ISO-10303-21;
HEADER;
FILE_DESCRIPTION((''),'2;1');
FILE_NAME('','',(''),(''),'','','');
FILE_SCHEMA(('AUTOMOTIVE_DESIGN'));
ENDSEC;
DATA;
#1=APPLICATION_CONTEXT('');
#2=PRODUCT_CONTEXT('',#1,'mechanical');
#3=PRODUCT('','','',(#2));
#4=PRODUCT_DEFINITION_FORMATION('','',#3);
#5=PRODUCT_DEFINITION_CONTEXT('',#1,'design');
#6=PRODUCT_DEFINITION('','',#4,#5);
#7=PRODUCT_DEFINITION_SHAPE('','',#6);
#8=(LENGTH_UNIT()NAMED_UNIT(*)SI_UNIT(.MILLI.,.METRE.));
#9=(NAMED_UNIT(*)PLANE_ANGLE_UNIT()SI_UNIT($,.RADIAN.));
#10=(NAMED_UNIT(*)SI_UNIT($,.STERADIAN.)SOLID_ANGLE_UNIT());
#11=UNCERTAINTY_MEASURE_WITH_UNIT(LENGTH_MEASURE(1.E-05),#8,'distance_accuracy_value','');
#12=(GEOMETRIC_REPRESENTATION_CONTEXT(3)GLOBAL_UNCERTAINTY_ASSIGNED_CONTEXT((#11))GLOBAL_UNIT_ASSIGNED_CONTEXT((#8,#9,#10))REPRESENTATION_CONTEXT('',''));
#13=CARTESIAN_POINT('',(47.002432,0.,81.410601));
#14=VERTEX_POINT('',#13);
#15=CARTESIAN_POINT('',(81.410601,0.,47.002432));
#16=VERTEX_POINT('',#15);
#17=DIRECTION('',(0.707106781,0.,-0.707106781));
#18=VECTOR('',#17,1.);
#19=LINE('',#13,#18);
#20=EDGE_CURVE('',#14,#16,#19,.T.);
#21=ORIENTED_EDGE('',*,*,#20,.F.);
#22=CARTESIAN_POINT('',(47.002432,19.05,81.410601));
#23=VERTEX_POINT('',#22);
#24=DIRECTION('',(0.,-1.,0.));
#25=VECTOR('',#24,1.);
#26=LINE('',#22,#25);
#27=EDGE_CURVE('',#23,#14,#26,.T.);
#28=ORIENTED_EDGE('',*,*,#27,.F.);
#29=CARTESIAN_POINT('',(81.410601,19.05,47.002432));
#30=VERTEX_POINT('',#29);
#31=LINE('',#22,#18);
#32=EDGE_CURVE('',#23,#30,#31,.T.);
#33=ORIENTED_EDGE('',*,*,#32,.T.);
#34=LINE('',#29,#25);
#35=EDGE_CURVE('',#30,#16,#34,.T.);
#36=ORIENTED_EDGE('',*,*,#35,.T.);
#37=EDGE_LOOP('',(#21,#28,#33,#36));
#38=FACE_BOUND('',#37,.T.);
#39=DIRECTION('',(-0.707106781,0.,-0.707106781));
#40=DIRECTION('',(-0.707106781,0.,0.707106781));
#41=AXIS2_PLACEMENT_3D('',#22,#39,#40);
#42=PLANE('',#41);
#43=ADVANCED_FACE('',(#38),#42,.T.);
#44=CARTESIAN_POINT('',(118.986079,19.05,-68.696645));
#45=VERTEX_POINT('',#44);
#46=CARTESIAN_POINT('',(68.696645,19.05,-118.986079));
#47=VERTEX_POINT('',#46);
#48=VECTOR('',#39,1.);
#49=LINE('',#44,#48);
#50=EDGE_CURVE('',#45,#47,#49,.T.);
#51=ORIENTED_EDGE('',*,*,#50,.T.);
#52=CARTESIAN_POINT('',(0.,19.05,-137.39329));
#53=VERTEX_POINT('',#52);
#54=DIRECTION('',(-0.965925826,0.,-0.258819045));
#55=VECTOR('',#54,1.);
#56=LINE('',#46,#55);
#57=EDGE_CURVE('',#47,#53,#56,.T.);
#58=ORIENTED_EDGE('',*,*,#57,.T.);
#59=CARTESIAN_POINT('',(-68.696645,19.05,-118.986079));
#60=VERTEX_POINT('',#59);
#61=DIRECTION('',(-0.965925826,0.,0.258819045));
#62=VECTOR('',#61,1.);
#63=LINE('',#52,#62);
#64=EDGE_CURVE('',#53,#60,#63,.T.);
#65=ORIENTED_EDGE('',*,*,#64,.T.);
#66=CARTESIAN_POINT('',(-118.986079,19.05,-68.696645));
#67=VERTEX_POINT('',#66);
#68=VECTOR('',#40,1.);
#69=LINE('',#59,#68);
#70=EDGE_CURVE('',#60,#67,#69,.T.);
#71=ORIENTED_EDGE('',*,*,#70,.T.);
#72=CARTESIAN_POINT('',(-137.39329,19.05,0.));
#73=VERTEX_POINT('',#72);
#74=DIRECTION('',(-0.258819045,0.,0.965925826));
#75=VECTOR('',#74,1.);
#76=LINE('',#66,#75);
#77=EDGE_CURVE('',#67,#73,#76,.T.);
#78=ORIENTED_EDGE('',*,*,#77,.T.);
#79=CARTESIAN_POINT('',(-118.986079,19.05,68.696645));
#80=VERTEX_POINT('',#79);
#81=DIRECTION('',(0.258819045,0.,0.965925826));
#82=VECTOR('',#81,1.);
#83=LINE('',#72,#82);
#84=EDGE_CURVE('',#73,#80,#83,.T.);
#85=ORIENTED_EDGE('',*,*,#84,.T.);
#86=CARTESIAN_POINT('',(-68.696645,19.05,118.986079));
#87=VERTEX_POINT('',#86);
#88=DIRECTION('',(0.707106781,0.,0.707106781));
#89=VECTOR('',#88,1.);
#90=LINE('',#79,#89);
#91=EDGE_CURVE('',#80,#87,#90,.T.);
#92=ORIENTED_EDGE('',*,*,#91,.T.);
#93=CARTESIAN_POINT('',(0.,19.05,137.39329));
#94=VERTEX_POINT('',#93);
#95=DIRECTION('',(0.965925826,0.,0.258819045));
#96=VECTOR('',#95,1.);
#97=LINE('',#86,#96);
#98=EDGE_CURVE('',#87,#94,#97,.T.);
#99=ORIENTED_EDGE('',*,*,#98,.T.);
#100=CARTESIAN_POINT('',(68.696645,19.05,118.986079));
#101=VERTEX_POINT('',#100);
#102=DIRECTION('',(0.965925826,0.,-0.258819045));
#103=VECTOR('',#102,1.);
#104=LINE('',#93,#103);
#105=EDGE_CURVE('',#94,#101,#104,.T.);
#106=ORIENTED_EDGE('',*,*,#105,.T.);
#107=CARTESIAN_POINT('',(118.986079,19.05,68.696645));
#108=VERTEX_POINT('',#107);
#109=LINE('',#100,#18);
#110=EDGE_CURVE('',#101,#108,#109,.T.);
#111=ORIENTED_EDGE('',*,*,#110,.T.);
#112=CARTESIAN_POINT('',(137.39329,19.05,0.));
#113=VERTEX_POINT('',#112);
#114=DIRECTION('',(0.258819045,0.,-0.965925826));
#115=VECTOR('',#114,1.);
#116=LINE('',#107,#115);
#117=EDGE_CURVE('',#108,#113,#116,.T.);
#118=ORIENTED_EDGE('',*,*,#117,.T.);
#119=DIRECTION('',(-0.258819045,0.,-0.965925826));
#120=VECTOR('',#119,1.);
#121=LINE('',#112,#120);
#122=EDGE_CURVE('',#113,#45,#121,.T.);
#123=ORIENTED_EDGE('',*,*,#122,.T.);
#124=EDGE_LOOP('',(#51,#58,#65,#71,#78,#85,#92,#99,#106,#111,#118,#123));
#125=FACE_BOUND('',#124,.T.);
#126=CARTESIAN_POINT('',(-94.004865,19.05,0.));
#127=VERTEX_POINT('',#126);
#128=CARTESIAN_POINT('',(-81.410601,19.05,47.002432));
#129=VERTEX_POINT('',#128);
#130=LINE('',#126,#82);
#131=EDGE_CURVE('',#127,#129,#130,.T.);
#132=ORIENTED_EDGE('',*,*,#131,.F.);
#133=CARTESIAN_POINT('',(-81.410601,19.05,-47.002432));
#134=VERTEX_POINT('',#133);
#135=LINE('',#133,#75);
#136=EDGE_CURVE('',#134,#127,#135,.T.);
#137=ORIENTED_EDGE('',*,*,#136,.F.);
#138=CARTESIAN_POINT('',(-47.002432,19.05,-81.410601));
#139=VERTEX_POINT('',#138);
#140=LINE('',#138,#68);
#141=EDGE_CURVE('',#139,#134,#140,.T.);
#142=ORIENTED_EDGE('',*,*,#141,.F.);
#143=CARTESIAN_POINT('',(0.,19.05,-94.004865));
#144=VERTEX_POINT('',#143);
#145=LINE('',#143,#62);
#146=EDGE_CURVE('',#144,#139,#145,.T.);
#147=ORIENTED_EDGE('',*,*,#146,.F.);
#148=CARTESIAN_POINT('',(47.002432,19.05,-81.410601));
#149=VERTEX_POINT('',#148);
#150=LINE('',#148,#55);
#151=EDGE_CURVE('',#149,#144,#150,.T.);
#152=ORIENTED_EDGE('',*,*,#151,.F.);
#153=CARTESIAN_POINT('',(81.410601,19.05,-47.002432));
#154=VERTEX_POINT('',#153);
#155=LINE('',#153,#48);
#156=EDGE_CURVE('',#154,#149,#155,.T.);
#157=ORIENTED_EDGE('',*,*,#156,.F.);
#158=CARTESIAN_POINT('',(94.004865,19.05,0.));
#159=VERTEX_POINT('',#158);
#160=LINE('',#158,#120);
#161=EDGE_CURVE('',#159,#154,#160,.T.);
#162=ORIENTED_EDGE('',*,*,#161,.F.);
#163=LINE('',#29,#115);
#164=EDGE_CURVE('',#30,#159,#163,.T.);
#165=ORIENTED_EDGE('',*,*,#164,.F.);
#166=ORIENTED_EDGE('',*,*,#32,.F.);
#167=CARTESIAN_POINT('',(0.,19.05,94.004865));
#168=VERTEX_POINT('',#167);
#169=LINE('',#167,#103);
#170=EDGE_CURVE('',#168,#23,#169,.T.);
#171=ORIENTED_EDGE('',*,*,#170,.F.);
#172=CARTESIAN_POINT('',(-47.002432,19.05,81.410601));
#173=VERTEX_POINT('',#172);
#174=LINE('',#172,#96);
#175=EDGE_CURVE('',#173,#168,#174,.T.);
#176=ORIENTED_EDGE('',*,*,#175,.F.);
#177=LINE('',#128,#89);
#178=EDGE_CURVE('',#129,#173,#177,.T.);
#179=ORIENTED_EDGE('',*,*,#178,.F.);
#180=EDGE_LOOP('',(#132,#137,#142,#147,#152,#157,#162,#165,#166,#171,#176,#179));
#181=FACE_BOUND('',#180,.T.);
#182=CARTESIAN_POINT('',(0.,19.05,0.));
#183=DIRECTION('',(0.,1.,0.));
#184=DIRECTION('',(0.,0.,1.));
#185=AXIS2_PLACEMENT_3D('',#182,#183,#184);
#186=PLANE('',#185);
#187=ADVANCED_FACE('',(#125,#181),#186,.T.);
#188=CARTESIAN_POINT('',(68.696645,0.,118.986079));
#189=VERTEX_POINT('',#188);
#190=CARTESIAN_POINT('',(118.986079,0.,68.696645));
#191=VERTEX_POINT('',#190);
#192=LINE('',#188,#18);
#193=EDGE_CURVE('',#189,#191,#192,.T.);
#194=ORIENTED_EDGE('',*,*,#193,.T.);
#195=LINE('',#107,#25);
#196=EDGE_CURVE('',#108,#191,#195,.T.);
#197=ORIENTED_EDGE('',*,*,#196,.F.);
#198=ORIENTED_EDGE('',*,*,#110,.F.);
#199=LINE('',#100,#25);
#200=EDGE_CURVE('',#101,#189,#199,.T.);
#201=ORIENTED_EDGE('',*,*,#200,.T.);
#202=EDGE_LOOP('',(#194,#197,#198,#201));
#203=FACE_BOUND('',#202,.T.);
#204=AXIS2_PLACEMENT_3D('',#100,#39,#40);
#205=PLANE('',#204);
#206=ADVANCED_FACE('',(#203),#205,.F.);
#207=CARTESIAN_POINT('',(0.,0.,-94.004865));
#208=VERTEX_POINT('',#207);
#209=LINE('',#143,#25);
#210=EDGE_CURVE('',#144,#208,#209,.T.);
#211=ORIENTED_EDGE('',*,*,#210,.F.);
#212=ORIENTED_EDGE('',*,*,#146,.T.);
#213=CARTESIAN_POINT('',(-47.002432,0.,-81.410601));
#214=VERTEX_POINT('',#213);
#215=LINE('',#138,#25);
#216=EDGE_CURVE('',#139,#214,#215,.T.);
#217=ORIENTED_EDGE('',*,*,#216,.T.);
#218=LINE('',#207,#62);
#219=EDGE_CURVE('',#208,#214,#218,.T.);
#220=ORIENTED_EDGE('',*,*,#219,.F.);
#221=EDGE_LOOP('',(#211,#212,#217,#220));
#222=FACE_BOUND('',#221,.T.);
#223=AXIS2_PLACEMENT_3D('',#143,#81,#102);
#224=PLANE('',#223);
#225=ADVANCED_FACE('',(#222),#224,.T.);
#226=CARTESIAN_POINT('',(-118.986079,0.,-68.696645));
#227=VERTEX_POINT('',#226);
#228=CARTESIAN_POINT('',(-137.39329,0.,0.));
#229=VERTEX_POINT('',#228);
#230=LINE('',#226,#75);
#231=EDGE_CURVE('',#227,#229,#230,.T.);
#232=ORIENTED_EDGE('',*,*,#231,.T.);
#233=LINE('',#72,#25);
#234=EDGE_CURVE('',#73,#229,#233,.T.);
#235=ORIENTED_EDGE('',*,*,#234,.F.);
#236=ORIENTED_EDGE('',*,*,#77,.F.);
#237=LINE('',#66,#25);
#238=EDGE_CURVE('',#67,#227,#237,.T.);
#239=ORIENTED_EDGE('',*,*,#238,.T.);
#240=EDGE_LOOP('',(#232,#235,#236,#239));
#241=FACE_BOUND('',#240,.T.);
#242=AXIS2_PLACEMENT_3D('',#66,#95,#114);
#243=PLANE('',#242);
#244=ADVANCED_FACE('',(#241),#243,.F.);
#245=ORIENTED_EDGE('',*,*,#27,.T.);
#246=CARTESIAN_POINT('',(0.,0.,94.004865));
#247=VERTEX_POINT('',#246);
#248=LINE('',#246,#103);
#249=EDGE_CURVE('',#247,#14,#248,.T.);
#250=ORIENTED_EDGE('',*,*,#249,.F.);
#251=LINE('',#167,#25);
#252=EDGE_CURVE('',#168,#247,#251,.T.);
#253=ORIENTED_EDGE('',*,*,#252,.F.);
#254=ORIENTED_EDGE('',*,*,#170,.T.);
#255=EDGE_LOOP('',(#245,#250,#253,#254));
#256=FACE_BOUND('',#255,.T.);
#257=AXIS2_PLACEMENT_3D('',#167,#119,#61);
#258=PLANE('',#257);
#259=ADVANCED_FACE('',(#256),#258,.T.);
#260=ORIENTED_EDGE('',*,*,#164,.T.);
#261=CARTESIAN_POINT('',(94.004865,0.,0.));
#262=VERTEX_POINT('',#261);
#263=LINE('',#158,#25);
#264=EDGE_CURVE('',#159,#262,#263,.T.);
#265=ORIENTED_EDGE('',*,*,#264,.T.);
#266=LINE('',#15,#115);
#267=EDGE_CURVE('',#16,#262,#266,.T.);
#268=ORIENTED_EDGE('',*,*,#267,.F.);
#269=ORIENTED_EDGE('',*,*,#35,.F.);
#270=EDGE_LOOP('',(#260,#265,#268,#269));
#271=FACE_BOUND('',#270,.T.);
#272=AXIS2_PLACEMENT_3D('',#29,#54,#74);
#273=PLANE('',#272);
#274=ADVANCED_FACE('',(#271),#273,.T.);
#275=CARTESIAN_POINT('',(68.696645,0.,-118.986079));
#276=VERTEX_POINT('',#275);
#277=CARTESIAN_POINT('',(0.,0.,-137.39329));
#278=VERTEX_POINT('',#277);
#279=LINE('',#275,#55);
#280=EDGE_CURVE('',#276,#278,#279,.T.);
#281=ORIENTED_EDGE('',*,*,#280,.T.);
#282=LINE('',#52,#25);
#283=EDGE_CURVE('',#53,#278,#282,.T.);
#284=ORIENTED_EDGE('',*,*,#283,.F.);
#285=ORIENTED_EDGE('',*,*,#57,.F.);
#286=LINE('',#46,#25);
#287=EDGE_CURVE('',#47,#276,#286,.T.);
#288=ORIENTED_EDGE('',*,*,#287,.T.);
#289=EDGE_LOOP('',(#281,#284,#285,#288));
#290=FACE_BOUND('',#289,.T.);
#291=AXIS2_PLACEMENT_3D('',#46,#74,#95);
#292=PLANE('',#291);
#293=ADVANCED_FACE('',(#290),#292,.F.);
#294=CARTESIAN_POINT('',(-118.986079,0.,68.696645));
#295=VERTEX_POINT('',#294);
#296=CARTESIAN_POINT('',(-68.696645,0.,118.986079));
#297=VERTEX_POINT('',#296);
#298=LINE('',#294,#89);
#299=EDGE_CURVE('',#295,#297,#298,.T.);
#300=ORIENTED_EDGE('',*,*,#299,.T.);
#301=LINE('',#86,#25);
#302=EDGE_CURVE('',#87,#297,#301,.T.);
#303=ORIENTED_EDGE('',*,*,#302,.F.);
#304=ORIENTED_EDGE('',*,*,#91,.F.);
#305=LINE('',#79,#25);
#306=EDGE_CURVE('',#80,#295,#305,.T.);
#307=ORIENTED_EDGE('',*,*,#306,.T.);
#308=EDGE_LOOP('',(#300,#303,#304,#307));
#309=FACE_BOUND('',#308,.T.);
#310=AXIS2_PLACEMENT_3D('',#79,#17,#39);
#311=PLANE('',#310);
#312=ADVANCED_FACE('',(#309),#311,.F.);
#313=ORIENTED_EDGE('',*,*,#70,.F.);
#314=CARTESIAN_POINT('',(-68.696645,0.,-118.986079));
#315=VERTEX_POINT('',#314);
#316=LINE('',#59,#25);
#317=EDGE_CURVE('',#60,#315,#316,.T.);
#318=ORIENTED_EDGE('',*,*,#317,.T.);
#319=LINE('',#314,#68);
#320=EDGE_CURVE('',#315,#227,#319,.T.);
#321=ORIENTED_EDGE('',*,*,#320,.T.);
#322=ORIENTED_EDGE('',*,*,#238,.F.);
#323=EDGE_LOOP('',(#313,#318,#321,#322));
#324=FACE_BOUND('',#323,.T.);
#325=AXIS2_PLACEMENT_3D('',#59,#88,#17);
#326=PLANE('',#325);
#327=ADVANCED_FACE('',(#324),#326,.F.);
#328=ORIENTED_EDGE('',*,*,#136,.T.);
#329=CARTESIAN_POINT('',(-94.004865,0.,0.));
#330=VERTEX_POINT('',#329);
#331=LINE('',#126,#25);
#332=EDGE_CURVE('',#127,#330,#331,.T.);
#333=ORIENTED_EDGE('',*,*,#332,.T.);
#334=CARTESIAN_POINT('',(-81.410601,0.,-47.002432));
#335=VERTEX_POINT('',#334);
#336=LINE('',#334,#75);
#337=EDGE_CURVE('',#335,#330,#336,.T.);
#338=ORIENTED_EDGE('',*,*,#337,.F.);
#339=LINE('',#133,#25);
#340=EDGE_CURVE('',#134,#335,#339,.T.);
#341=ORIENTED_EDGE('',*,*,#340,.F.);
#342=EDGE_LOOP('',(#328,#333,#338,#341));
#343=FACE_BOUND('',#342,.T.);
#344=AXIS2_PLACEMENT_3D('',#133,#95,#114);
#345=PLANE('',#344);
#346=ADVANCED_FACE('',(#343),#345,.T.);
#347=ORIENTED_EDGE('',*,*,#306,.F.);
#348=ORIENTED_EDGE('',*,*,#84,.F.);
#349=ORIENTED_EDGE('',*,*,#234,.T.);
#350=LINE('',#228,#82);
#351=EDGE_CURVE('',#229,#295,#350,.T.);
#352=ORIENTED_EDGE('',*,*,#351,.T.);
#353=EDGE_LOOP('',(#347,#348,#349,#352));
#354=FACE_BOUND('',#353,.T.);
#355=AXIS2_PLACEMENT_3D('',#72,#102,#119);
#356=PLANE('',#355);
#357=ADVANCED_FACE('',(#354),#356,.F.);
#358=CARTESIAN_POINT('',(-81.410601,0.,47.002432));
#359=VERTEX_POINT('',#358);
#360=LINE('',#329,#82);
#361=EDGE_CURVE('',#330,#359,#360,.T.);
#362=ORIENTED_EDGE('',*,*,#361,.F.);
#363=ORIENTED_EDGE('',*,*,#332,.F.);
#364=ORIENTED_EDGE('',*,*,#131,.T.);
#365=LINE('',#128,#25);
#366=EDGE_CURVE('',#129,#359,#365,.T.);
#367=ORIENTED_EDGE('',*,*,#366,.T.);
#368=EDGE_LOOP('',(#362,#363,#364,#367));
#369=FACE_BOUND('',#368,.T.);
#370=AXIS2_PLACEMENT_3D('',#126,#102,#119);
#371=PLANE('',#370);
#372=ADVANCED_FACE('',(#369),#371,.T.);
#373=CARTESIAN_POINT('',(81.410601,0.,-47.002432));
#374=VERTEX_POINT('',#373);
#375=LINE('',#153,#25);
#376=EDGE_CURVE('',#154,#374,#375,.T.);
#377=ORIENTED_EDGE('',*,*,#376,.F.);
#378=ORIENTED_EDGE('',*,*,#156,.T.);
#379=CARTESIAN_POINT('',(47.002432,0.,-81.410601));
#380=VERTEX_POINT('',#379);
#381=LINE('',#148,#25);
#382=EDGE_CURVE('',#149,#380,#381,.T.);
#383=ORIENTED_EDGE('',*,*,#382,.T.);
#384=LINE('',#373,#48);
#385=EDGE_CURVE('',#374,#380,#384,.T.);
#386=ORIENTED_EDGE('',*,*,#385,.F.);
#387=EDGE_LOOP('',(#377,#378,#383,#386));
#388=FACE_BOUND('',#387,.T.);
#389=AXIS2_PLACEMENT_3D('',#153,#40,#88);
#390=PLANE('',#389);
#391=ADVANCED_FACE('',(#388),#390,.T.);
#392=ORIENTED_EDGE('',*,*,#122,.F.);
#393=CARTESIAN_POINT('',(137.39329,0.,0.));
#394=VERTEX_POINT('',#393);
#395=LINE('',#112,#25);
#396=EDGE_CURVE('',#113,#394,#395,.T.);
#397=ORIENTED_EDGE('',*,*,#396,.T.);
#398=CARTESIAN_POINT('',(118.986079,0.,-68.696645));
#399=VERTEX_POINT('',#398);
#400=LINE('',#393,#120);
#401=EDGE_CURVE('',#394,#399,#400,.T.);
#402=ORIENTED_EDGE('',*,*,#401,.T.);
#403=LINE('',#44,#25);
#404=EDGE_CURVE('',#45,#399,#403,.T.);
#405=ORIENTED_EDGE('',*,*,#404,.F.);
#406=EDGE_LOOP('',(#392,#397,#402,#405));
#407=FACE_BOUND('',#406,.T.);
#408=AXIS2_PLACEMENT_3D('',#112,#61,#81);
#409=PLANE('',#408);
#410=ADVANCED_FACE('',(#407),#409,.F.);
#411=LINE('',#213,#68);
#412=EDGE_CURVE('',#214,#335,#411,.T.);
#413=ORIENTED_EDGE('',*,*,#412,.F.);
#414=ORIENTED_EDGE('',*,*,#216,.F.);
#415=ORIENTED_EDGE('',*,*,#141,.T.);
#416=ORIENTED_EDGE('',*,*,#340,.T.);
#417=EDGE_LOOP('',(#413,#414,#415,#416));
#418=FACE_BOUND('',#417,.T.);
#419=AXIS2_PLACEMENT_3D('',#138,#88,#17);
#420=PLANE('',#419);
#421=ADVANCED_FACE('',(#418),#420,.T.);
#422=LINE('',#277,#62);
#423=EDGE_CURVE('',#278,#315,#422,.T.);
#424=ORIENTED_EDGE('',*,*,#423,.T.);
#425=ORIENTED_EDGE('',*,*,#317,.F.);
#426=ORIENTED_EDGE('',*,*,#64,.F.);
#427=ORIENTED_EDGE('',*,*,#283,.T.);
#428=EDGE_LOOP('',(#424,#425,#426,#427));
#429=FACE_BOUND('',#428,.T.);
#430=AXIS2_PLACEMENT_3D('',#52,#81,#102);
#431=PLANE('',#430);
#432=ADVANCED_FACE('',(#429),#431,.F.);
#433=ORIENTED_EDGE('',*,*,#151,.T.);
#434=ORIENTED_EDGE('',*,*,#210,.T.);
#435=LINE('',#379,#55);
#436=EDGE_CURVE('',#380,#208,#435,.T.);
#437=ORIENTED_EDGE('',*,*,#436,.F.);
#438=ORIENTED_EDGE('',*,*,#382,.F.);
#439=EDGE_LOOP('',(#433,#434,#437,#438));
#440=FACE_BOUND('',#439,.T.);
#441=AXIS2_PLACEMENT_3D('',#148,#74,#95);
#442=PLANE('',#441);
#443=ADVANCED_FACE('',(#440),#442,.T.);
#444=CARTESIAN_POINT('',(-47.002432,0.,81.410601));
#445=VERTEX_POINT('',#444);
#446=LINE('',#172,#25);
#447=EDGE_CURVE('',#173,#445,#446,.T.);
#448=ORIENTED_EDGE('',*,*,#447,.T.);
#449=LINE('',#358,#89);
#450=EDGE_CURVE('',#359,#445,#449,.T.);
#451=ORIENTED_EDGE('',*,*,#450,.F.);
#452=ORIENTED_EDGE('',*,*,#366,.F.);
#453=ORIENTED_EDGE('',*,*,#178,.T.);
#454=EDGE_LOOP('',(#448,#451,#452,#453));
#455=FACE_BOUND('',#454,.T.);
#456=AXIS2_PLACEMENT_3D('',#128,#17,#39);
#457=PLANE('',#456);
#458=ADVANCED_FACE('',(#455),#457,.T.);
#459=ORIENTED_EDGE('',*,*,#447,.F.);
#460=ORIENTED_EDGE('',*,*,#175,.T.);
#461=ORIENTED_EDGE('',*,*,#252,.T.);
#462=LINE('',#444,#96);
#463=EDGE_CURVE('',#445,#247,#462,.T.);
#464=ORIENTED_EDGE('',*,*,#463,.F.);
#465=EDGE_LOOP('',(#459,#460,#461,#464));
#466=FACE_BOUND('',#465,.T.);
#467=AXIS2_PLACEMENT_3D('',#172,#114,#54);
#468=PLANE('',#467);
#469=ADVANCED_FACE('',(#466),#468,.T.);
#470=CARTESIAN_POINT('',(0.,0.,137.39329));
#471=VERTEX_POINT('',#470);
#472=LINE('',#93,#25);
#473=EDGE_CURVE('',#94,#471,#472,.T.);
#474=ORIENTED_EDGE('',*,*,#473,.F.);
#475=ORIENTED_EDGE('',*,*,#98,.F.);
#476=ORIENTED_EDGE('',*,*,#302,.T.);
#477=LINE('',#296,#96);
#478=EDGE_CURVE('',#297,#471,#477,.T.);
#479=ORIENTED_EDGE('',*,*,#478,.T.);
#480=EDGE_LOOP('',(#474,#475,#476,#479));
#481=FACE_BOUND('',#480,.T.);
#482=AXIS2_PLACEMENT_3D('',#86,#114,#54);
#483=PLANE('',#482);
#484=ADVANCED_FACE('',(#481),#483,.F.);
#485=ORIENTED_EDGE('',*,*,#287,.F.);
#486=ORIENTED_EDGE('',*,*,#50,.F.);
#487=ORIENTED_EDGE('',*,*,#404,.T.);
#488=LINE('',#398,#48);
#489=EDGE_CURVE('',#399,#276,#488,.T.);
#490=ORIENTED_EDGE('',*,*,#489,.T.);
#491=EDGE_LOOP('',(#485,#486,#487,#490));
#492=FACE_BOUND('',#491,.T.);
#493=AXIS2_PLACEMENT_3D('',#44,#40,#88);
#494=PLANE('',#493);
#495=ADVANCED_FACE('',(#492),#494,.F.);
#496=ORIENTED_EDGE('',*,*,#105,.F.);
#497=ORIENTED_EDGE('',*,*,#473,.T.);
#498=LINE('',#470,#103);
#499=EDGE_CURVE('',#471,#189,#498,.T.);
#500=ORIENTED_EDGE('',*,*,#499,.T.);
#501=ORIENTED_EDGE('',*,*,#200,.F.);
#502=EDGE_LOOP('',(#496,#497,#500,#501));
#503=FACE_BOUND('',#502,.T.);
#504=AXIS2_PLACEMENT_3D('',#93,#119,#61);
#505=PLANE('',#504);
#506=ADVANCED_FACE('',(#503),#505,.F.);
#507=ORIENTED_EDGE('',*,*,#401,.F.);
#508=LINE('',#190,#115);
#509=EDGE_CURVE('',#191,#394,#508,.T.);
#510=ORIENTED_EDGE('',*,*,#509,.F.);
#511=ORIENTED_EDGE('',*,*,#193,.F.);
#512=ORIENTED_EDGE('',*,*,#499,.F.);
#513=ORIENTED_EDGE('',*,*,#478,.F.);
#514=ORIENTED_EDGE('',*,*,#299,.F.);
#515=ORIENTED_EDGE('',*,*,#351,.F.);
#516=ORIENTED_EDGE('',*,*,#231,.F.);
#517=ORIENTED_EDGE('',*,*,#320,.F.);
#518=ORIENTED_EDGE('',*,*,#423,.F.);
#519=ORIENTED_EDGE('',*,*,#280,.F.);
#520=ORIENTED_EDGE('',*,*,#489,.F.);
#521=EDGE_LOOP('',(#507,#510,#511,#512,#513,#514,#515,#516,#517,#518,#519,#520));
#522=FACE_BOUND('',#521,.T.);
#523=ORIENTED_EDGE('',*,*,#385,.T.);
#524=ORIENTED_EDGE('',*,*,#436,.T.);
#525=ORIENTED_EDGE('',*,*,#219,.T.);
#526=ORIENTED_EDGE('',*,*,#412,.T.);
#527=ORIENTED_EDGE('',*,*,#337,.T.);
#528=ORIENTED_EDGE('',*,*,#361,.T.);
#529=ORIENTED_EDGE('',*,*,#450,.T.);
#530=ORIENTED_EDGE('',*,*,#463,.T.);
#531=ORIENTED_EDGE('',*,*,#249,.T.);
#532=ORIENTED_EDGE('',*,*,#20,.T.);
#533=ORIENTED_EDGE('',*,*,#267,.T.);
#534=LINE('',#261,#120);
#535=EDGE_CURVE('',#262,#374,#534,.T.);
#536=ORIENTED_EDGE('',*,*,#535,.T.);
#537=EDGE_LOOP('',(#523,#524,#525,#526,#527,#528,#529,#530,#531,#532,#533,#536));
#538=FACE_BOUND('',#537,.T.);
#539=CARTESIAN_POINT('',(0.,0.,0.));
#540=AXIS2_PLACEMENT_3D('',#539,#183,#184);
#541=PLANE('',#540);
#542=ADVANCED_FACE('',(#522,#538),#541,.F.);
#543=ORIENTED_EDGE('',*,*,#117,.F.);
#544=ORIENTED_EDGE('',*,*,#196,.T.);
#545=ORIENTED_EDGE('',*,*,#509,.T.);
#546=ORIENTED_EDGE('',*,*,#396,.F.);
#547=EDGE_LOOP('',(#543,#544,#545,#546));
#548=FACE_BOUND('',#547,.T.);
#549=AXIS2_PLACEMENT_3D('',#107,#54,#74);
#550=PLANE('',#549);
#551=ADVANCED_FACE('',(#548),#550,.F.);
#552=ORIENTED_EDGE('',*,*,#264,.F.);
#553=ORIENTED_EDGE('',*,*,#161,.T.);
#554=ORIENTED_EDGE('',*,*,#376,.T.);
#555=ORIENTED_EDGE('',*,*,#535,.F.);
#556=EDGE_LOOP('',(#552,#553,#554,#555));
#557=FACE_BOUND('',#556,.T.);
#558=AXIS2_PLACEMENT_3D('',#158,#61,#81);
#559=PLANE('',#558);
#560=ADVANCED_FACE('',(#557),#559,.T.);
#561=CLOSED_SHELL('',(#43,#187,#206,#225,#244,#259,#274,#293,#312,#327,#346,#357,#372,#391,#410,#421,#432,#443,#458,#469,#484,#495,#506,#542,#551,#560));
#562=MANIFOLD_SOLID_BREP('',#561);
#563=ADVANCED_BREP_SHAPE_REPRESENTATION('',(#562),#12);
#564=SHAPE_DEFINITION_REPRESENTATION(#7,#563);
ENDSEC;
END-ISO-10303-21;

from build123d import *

# Parameters (mm, degrees)
BOSS_EXTRUDE2_DEPTH = 19.05


with BuildPart() as part:
    # Sketch2 → Boss-Extrude2 (new body)
    with BuildSketch(Plane(origin=(0, 0, 0), x_dir=(1, 0, 0), z_dir=(0, 1, 0))):
        Polygon((-137.393289531, 0), (-118.986079044, -68.696644766), (-68.696644766, -118.986079044), (0, -137.393289531), (68.696644766, -118.986079044), (118.986079044, -68.696644766), (137.393289531, 0), (118.986079044, 68.696644766), (68.696644766, 118.986079044), (0, 137.393289531), (-68.696644766, 118.986079044), (-118.986079044, 68.696644766), align=None)
        Polygon((-94.00486481, 0), (-81.410601005, -47.002432405), (-47.002432405, -81.410601005), (0, -94.00486481), (47.002432405, -81.410601005), (81.410601005, -47.002432405), (94.00486481, 0), (81.410601005, 47.002432405), (47.002432405, 81.410601005), (0, 94.00486481), (-47.002432405, 81.410601005), (-81.410601005, 47.002432405), align=None, mode=Mode.SUBTRACT)
    extrude(amount=BOSS_EXTRUDE2_DEPTH)


solid = part.part
